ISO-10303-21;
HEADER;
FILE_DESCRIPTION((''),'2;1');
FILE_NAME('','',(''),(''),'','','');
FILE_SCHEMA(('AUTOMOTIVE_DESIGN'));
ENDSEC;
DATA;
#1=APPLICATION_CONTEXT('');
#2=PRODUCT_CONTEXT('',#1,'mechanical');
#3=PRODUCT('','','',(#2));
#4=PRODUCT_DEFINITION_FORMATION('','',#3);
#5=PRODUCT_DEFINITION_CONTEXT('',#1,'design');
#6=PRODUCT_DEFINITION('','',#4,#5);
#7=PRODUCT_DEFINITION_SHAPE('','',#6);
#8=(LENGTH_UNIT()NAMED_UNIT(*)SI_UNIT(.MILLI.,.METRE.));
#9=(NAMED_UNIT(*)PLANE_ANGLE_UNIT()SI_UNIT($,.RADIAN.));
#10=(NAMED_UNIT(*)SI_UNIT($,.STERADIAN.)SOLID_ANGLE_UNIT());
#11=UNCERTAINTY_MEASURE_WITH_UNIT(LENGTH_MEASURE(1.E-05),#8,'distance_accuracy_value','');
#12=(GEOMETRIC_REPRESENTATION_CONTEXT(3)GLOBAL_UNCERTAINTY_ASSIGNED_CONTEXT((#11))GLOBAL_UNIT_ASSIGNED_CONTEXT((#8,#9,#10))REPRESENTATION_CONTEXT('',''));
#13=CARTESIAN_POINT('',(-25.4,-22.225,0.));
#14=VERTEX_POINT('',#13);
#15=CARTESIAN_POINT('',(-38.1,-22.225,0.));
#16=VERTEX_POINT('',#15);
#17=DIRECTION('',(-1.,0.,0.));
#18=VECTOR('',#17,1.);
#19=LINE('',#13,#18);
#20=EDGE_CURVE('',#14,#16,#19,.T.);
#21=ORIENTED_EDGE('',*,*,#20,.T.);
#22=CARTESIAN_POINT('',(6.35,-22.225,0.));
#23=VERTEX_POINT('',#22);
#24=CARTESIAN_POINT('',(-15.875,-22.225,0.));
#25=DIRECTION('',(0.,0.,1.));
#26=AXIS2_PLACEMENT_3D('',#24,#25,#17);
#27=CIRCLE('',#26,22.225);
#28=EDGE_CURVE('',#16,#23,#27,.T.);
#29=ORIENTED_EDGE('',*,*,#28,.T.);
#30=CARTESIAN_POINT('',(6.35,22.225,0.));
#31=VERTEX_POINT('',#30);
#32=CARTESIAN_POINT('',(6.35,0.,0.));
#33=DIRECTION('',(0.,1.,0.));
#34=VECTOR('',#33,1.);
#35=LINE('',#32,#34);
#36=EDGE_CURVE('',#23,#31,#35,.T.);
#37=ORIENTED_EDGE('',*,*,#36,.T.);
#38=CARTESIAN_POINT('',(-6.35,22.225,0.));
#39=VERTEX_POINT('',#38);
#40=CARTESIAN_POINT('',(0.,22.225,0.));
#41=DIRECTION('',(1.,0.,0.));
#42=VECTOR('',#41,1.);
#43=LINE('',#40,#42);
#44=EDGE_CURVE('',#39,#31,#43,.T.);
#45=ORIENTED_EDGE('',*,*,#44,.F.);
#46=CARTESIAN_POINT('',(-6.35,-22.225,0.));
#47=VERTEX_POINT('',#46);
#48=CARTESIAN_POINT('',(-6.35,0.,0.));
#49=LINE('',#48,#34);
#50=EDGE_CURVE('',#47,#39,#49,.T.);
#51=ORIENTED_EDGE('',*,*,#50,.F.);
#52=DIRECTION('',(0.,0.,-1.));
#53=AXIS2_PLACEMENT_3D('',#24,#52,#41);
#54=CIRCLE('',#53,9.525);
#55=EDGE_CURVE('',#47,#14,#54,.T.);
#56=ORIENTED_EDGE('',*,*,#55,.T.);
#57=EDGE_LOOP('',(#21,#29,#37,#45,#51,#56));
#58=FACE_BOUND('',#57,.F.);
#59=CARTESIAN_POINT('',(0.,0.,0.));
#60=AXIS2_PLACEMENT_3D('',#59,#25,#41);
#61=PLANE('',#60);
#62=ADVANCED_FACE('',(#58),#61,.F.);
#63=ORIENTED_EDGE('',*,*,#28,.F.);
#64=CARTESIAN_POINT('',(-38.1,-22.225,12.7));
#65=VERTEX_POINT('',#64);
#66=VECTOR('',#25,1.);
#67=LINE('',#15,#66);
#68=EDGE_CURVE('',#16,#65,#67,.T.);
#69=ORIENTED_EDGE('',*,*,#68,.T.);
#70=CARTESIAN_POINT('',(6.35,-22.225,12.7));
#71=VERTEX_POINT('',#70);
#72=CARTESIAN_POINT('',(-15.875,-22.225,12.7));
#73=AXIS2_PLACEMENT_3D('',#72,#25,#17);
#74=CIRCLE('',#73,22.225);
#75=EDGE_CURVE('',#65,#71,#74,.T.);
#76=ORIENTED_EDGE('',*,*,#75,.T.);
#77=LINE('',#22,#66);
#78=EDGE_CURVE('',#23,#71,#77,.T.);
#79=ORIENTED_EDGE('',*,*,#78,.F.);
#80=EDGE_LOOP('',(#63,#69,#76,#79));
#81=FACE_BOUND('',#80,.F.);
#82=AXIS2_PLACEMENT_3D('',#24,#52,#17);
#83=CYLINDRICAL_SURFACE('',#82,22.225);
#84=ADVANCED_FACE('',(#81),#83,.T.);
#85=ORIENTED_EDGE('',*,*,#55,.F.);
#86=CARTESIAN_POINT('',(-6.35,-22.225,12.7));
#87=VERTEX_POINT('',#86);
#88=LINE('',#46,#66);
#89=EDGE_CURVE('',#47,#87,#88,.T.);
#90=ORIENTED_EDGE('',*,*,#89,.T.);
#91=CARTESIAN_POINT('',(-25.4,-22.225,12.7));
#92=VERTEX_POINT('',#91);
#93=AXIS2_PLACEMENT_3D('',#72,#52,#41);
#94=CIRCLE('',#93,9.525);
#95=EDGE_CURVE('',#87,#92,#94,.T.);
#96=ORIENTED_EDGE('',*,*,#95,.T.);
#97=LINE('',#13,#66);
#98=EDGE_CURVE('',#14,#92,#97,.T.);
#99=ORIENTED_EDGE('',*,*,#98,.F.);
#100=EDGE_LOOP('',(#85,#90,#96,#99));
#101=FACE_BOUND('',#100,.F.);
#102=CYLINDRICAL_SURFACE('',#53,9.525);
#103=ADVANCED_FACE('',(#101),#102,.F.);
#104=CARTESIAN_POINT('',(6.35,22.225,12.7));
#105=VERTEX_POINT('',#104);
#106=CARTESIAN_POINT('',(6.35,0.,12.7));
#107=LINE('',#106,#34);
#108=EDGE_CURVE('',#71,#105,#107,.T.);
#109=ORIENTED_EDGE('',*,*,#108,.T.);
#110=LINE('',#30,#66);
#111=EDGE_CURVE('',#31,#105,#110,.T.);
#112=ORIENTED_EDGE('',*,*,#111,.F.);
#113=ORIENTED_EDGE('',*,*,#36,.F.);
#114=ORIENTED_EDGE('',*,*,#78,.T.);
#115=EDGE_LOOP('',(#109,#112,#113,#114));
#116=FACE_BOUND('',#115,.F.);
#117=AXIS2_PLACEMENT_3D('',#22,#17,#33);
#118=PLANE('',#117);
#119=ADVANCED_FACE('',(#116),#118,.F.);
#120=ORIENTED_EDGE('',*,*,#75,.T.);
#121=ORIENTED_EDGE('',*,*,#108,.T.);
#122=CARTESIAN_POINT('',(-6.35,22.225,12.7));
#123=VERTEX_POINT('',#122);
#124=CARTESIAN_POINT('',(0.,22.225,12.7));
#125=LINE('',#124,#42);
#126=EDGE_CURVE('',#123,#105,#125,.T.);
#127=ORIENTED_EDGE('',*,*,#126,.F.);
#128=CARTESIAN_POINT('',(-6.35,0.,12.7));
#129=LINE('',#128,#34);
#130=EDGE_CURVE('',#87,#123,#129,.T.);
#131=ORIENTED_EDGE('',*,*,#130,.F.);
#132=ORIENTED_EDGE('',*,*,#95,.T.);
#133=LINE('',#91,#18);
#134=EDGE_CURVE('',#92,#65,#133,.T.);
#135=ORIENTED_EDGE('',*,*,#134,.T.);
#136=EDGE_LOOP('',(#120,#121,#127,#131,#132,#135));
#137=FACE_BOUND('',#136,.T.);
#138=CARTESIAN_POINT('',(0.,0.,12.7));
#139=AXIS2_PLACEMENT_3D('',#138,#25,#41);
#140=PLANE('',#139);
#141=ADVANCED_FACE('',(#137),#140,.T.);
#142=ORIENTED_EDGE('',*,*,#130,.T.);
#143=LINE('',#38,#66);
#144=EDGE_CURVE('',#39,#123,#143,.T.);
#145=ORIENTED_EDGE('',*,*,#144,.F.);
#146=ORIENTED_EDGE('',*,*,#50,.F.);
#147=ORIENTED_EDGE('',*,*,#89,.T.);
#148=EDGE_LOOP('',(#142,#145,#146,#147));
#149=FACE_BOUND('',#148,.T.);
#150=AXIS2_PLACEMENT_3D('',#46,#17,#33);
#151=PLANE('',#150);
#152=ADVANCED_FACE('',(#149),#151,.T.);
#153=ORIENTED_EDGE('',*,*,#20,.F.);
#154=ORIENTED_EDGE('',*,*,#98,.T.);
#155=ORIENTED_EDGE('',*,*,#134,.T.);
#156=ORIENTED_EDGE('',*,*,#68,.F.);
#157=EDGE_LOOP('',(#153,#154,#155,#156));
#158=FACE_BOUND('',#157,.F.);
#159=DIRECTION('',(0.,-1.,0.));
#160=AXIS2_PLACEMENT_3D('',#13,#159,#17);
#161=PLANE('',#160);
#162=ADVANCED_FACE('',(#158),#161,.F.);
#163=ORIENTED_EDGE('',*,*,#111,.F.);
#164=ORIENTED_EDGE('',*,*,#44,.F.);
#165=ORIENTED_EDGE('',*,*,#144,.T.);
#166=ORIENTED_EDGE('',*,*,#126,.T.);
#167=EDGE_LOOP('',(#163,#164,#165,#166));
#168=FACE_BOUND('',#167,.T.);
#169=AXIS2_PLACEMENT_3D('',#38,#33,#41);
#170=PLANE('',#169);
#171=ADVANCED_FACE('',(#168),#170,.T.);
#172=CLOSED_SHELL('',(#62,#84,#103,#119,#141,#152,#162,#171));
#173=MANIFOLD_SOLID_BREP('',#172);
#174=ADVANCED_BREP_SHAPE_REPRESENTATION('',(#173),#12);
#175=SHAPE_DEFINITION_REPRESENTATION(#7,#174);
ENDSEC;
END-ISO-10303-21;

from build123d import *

# Parameters (mm, degrees)
F0_W     = 12.7
F0_H     = 44.45
F1_DEPTH = 12.7


with BuildPart() as f1:
    # F0 (on Top) → F1 (new body)
    with BuildSketch(Plane.XY):
        Rectangle(F0_W, F0_H)
        with BuildLine():
            Line((6.35, -22.225), (-6.35, -22.225))
            ThreePointArc((-6.35, -22.225), (-15.875, -31.75), (-25.4, -22.225))
            Line((-25.4, -22.225), (-38.1, -22.225))
            ThreePointArc((-38.1, -22.225), (-15.875, -44.45), (6.35, -22.225))
        make_face()
    extrude(amount=F1_DEPTH)


solid = f1.part
